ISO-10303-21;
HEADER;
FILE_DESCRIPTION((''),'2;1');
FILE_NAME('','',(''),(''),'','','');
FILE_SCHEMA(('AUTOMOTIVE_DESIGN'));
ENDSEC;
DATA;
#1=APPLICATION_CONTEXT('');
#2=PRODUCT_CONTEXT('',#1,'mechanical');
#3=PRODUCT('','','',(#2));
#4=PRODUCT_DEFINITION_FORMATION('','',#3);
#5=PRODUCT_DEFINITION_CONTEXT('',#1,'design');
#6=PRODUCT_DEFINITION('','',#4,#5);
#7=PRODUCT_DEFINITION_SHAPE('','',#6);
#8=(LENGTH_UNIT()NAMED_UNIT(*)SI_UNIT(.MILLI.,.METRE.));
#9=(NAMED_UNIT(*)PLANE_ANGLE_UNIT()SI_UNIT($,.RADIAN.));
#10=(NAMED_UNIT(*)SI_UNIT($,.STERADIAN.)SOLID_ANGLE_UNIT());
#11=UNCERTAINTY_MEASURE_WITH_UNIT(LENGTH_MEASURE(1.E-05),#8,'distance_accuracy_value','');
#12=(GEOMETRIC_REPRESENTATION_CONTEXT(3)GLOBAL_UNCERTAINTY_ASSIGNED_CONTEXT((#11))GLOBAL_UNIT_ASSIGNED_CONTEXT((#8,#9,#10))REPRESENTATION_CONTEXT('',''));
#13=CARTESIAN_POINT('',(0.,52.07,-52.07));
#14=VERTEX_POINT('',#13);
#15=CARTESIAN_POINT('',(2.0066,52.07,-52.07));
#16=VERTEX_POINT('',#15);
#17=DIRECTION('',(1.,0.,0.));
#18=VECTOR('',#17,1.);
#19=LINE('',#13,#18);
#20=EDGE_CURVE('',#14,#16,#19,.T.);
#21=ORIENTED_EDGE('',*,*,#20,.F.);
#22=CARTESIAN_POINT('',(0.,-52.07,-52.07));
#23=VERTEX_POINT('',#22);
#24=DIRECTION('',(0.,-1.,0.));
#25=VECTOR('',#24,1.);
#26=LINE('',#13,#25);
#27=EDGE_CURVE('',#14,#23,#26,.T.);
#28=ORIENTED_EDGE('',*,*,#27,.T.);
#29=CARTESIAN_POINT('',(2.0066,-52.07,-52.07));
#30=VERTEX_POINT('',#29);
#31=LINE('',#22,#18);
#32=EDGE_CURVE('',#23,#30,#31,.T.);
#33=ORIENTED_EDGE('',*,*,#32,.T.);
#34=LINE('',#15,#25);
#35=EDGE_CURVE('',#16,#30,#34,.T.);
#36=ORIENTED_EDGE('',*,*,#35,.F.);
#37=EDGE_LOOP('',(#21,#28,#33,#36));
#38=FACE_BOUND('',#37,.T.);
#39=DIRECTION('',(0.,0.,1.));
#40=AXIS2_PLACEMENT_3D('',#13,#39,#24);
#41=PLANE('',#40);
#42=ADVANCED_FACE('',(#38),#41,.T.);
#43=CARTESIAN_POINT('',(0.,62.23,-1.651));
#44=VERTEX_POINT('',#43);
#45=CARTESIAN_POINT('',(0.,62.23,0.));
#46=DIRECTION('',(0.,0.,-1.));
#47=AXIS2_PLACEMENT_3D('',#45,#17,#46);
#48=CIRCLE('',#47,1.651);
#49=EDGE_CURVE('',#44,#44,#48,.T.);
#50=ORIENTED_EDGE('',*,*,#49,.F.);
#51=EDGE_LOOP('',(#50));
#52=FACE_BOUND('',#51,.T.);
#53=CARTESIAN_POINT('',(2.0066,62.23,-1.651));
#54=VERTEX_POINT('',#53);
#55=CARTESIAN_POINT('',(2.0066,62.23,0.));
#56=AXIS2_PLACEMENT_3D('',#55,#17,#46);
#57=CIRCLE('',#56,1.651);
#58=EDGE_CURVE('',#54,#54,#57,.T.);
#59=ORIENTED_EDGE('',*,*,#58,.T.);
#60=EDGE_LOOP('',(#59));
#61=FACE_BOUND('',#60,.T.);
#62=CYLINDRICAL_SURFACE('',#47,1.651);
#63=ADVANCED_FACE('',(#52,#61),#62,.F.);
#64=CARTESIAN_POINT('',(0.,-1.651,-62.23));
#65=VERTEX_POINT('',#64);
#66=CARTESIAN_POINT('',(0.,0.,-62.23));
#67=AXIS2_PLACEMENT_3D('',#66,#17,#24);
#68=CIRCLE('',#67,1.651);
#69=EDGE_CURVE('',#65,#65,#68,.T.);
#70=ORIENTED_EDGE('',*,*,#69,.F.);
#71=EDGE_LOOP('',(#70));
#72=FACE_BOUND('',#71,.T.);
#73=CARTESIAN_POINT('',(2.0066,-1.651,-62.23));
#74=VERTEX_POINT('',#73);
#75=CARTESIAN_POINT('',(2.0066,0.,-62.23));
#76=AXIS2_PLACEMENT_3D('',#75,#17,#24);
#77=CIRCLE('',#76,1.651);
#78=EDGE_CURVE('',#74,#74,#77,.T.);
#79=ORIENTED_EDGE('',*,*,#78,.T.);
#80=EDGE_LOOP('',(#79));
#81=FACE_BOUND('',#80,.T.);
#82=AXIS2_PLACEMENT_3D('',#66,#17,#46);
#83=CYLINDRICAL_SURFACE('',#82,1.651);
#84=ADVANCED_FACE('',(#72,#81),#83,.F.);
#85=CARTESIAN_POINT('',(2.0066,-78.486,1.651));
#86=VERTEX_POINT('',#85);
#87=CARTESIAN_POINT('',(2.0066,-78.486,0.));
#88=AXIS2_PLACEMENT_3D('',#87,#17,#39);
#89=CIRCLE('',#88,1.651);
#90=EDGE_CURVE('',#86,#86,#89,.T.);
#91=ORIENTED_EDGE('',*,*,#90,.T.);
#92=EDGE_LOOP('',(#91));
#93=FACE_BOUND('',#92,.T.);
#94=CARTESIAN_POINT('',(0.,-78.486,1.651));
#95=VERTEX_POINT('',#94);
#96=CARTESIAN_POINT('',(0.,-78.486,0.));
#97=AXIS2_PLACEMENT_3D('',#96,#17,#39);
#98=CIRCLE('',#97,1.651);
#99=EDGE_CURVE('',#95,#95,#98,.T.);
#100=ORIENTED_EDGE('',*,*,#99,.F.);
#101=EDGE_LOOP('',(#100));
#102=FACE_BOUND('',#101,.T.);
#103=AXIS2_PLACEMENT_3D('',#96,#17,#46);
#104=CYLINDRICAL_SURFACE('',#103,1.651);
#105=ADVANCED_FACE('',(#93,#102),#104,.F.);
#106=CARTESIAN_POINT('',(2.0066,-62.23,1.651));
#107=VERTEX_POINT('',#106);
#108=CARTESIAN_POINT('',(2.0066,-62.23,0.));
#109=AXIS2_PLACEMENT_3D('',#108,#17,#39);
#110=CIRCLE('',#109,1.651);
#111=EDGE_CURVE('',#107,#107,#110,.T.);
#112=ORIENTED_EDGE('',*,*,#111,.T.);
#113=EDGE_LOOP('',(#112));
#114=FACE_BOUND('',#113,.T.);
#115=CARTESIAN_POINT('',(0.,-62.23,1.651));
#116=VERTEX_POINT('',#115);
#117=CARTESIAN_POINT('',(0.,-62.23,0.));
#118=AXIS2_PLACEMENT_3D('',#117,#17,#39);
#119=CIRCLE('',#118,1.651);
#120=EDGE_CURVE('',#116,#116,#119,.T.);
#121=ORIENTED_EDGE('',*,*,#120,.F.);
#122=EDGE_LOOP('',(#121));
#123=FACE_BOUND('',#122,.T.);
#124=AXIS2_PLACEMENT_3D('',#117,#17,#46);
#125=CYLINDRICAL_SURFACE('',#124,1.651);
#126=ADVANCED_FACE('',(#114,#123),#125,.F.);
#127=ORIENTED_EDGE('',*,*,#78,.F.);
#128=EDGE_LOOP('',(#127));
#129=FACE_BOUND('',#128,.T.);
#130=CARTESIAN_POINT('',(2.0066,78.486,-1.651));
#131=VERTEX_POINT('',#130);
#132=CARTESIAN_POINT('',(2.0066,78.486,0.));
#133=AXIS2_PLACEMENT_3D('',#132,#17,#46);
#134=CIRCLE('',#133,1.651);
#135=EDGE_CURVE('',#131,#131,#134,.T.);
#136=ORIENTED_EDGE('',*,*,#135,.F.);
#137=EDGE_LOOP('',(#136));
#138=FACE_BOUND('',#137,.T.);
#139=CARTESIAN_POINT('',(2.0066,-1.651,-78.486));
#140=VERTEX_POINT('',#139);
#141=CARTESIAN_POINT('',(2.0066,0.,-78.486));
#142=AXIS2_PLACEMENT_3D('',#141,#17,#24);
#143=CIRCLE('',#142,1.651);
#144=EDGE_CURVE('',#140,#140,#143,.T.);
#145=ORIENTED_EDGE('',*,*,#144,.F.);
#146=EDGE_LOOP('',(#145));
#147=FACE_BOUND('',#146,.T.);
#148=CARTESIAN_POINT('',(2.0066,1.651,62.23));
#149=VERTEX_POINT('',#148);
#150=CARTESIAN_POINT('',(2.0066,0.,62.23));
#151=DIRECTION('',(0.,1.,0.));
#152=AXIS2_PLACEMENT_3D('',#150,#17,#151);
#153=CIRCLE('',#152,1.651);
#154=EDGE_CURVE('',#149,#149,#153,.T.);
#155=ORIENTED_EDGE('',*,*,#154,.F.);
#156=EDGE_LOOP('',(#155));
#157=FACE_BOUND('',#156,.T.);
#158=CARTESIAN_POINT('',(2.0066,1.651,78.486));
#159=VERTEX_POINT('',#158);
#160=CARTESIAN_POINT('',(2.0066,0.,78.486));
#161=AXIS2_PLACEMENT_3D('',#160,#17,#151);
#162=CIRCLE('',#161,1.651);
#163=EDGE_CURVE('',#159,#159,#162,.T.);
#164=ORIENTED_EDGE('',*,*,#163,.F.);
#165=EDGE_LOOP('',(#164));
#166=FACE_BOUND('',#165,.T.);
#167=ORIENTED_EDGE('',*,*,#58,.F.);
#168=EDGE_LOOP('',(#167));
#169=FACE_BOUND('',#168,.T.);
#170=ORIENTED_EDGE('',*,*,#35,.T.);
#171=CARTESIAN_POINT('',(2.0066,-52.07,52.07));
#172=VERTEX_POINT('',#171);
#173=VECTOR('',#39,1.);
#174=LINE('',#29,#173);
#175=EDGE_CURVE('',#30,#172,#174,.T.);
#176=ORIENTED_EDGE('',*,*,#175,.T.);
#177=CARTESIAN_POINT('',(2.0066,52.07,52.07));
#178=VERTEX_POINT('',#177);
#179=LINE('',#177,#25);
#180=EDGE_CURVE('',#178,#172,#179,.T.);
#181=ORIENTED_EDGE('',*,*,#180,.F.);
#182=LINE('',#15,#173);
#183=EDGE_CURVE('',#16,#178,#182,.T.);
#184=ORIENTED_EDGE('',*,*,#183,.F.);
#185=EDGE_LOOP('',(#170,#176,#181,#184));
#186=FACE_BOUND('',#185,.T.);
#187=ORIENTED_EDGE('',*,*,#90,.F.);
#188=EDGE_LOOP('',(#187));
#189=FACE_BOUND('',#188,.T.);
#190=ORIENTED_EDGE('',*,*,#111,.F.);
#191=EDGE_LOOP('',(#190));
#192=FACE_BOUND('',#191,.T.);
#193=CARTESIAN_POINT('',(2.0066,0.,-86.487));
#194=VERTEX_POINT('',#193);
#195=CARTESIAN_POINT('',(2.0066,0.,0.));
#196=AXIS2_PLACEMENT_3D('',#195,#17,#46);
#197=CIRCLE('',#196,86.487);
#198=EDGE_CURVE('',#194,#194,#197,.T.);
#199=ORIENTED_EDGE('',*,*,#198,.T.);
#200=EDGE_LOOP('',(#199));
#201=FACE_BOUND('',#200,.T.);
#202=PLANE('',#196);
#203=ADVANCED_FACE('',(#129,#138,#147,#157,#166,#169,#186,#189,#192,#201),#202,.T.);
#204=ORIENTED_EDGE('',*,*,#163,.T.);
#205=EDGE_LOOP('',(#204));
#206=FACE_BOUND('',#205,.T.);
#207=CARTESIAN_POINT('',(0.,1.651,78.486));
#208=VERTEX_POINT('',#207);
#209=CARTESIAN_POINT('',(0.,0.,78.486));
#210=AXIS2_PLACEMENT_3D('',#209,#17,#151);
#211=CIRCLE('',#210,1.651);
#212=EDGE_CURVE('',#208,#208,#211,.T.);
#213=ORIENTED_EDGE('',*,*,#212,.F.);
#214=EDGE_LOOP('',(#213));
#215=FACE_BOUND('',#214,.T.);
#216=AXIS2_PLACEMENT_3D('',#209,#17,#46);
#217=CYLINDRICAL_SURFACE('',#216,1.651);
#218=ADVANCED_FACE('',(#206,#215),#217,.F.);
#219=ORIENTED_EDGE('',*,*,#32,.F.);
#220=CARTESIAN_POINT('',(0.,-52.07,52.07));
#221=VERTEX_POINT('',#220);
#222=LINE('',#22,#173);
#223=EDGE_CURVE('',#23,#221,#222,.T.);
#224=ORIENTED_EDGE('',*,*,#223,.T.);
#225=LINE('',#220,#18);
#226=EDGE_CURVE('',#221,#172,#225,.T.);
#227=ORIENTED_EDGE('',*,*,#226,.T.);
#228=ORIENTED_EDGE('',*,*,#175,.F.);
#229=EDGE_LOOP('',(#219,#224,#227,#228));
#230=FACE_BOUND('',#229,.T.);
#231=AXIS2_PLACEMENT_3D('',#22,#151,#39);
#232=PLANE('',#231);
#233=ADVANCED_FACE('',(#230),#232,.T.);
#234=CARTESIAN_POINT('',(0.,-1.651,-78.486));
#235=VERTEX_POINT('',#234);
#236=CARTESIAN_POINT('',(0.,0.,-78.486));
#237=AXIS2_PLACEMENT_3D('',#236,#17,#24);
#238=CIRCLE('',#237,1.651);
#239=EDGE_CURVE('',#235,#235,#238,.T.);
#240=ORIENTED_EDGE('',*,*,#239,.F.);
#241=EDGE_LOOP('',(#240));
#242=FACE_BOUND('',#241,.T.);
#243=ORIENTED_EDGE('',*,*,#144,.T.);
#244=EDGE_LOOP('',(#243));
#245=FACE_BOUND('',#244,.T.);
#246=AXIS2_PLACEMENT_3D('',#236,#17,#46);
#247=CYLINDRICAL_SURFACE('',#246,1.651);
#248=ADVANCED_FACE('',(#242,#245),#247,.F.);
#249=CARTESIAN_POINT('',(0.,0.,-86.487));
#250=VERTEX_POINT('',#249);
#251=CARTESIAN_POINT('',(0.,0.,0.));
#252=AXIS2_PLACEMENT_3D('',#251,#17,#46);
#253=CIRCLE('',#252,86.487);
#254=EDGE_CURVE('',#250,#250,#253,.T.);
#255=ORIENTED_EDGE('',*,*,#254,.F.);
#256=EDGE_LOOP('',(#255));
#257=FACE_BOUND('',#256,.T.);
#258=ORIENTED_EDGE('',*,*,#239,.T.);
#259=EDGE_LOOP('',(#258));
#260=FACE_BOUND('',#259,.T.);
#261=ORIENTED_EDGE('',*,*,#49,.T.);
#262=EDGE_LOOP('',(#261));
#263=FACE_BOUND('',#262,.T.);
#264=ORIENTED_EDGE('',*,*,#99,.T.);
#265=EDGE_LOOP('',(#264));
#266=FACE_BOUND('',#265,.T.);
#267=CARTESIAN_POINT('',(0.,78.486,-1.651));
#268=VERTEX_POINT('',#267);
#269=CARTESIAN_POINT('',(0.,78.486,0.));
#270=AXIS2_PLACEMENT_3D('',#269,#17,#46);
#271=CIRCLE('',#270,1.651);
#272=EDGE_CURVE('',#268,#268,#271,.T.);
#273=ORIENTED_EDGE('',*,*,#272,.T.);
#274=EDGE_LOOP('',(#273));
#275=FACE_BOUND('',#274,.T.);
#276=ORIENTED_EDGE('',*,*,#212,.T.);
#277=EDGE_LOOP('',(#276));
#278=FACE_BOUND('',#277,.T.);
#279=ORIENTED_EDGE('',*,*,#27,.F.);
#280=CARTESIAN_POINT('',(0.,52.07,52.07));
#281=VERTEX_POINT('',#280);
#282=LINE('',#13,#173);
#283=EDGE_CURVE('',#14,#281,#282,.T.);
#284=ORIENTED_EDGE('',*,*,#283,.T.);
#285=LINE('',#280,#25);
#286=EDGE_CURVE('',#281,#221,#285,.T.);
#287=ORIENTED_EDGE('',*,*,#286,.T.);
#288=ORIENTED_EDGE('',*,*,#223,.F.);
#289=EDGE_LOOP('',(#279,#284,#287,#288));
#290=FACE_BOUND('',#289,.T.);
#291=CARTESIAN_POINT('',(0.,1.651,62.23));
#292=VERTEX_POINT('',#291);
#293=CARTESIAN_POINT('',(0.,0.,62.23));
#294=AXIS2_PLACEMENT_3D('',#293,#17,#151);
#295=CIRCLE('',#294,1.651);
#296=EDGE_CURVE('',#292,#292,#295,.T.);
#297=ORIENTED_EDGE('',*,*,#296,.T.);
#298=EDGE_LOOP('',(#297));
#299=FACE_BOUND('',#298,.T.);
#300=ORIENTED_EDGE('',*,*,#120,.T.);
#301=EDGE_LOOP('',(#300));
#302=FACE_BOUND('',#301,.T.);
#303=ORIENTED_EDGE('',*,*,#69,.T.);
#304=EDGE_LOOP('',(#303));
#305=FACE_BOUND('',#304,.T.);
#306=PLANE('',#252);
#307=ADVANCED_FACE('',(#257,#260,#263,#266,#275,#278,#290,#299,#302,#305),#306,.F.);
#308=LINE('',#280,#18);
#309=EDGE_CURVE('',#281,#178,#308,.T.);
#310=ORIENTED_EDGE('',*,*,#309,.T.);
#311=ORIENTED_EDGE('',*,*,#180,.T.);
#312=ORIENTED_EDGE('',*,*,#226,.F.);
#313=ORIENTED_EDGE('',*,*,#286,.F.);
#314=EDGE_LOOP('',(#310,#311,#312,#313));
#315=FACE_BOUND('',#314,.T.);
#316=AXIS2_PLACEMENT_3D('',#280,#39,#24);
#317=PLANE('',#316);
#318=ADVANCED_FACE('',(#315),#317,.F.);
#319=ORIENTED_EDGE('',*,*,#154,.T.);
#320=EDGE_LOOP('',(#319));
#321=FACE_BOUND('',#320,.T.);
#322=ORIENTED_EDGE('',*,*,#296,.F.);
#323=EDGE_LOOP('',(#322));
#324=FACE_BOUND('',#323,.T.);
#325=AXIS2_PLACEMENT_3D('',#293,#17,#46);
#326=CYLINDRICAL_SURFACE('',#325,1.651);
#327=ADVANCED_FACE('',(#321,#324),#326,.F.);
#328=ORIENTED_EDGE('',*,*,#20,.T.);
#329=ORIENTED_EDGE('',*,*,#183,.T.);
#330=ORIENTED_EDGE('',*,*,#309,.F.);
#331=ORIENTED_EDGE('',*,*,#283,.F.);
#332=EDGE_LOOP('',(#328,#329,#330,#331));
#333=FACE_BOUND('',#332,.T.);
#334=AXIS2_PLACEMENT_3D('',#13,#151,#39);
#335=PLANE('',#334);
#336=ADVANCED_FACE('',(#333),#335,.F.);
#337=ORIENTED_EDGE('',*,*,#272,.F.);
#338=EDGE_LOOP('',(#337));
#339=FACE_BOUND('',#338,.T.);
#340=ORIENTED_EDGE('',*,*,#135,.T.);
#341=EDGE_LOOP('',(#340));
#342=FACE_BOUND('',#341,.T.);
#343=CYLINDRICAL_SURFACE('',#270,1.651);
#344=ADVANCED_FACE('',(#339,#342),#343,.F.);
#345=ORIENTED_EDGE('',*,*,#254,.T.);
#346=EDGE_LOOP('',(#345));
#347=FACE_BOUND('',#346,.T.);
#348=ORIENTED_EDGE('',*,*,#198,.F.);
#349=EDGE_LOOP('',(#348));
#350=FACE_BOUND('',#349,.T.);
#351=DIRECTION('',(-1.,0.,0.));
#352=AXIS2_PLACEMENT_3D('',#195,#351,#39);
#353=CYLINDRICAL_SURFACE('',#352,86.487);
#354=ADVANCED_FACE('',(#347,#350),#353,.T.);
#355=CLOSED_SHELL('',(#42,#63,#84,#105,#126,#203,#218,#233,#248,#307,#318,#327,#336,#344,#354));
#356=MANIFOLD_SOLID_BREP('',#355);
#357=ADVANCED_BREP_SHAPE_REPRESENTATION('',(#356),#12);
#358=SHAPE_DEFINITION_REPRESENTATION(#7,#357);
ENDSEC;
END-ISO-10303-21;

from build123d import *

# Parameters (mm, degrees)
SKETCH1_R           = 86.487
BOSS_EXTRUDE1_DEPTH = 2.0066
SKETCH6_W           = 104.14
SKETCH6_H           = 104.14
CUT_EXTRUDE2_DEPTH  = 123.327547108
SKETCH7_R           = 1.651
CUT_EXTRUDE3_DEPTH  = 123.327547108
CIRPATTERN1_COUNT   = 4


with BuildPart() as part:
    # Sketch1 → Boss-Extrude1 (new body)
    with BuildSketch(Plane.YZ):
        with Locations(Location((0, 0, 0), (0, 0, 270))):
            Circle(SKETCH1_R)
    extrude(amount=BOSS_EXTRUDE1_DEPTH)

    # Sketch6 → Cut-Extrude2 (cut, through all)
    with BuildSketch(Plane(origin=(2.0066, 0, 0), x_dir=(0, 0, -1), z_dir=(1, 0, 0))):
        Rectangle(SKETCH6_W, SKETCH6_H)
    extrude(amount=-CUT_EXTRUDE2_DEPTH, mode=Mode.SUBTRACT)

    # Sketch7 → Cut-Extrude3 (cut, through all)
    with BuildSketch(Plane.YZ.offset(2.0066)):
        with Locations(Location((62.23, 0, 0), (0, 0, 270))):
            Circle(SKETCH7_R)
        with Locations(Location((78.486, 0, 0), (0, 0, 270))):
            Circle(SKETCH7_R)
    cut_extrude3 = extrude(amount=-CUT_EXTRUDE3_DEPTH, mode=Mode.SUBTRACT)

    # CirPattern1: Cut-Extrude3 ×4 about axis
    cirpattern1_axis = Axis((0, 0, 0), (1, 0, 0))
    for i in range(1, CIRPATTERN1_COUNT):
        add(cut_extrude3.rotate(cirpattern1_axis, i * 360 / CIRPATTERN1_COUNT), mode=Mode.SUBTRACT)


solid = part.part
